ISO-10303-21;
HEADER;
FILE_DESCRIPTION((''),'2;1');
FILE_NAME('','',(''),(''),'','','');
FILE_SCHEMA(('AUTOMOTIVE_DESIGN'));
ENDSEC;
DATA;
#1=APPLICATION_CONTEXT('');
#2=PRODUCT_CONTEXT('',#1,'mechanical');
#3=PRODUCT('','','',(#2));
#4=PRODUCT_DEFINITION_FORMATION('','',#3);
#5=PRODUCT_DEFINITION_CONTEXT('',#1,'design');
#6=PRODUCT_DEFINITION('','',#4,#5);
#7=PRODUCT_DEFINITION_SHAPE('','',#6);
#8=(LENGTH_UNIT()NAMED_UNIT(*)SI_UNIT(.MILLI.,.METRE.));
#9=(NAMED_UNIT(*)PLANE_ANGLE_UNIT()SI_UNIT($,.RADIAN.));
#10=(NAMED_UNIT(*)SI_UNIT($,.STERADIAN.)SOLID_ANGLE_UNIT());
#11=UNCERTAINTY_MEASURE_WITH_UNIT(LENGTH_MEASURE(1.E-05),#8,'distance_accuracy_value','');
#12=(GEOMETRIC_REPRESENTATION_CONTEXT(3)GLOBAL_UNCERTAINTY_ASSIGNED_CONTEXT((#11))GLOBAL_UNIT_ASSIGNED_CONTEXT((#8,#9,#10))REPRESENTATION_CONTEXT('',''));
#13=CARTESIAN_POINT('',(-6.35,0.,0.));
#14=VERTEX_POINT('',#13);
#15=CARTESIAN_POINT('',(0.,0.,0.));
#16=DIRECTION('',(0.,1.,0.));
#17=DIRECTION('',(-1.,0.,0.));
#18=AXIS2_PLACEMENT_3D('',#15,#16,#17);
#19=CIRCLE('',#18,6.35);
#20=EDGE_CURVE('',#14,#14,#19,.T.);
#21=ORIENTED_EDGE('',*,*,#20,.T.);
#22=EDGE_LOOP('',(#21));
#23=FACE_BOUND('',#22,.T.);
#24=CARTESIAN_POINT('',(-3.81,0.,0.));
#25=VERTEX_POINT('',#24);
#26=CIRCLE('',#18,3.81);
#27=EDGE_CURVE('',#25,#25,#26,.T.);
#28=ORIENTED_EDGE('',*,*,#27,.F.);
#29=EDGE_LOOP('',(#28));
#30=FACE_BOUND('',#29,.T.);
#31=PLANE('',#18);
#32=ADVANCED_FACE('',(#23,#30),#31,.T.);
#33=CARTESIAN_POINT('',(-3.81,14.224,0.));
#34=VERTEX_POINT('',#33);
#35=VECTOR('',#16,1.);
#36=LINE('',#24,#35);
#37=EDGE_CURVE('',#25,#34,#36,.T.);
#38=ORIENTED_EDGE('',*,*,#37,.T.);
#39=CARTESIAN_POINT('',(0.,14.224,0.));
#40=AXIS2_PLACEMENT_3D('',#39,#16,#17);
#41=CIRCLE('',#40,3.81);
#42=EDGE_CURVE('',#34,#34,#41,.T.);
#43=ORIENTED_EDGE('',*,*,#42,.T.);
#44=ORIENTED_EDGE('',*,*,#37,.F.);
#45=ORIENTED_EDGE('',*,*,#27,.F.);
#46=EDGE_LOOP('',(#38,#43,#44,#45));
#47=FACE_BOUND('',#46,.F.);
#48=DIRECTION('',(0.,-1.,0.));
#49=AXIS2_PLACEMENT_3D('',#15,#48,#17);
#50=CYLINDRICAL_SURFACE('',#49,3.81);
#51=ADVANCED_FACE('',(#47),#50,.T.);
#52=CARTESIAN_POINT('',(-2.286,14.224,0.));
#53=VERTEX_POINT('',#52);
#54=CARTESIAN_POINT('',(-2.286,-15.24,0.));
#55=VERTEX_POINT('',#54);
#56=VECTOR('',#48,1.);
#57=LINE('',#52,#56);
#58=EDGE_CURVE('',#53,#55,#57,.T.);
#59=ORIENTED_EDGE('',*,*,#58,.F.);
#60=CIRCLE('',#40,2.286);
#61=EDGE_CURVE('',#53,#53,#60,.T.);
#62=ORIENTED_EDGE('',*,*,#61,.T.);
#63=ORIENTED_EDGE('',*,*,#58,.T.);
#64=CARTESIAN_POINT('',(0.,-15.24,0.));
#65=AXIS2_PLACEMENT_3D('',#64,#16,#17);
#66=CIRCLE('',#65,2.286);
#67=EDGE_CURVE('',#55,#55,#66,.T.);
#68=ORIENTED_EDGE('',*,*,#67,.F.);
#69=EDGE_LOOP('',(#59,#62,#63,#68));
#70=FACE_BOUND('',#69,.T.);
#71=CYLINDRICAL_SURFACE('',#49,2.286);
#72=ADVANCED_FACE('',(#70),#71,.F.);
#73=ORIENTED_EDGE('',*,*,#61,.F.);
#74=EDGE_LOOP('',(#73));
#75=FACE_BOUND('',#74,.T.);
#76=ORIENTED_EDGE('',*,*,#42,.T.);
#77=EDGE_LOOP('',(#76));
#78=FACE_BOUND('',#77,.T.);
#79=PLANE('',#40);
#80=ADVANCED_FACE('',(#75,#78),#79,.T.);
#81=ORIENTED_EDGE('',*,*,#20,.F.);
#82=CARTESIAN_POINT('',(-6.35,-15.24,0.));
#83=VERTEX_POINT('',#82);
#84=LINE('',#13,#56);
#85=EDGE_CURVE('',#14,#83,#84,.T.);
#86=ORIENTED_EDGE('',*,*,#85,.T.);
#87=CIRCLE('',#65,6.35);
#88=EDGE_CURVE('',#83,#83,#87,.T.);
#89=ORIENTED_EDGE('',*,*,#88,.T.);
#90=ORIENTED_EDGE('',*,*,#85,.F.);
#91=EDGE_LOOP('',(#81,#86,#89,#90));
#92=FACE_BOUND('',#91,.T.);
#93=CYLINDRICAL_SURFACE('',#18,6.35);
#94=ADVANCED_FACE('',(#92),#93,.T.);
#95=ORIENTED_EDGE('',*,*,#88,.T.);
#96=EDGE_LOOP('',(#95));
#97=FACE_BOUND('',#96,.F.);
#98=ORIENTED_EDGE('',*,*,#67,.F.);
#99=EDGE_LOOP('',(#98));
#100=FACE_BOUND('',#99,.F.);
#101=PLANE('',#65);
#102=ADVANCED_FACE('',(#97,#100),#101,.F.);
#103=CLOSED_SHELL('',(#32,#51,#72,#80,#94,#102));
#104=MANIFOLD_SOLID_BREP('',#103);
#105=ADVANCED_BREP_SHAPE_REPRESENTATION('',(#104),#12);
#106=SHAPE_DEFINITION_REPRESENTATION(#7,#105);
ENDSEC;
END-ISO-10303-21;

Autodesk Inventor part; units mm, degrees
ref_plane "YZ Plane" through (0, 0, 0) normal (1, 0, 0) x (0, 1, 0)
ref_plane "XZ Plane" through (0, 0, 0) normal (0, 1, 0) x (-1, 0, 0)
ref_plane "XY Plane" through (0, 0, 0) normal (0, 0, 1) x (1, 0, 0)
sketch "Sketch1" plane through (0, 0, 0) normal (0, 1, 0) x (-1, 0, 0)
  circle A0 centre (0, 0) radius 3.81
  circle A1 centre (0, 0) radius 2.286
  circle A2 centre (0, 0) radius 6.35
  dimension "d0" = 7.62
  dimension "d1" = 4.572
  dimension "d2" = 12.7
extrude "Extrusion1" add sketch "Sketch1" against normal blind 15.24 contours A0 | A2
extrude "Extrusion2" add sketch "Sketch1" along normal blind 14.224 contours A0
properties part number "Motor Belt Tensioner Inside"
